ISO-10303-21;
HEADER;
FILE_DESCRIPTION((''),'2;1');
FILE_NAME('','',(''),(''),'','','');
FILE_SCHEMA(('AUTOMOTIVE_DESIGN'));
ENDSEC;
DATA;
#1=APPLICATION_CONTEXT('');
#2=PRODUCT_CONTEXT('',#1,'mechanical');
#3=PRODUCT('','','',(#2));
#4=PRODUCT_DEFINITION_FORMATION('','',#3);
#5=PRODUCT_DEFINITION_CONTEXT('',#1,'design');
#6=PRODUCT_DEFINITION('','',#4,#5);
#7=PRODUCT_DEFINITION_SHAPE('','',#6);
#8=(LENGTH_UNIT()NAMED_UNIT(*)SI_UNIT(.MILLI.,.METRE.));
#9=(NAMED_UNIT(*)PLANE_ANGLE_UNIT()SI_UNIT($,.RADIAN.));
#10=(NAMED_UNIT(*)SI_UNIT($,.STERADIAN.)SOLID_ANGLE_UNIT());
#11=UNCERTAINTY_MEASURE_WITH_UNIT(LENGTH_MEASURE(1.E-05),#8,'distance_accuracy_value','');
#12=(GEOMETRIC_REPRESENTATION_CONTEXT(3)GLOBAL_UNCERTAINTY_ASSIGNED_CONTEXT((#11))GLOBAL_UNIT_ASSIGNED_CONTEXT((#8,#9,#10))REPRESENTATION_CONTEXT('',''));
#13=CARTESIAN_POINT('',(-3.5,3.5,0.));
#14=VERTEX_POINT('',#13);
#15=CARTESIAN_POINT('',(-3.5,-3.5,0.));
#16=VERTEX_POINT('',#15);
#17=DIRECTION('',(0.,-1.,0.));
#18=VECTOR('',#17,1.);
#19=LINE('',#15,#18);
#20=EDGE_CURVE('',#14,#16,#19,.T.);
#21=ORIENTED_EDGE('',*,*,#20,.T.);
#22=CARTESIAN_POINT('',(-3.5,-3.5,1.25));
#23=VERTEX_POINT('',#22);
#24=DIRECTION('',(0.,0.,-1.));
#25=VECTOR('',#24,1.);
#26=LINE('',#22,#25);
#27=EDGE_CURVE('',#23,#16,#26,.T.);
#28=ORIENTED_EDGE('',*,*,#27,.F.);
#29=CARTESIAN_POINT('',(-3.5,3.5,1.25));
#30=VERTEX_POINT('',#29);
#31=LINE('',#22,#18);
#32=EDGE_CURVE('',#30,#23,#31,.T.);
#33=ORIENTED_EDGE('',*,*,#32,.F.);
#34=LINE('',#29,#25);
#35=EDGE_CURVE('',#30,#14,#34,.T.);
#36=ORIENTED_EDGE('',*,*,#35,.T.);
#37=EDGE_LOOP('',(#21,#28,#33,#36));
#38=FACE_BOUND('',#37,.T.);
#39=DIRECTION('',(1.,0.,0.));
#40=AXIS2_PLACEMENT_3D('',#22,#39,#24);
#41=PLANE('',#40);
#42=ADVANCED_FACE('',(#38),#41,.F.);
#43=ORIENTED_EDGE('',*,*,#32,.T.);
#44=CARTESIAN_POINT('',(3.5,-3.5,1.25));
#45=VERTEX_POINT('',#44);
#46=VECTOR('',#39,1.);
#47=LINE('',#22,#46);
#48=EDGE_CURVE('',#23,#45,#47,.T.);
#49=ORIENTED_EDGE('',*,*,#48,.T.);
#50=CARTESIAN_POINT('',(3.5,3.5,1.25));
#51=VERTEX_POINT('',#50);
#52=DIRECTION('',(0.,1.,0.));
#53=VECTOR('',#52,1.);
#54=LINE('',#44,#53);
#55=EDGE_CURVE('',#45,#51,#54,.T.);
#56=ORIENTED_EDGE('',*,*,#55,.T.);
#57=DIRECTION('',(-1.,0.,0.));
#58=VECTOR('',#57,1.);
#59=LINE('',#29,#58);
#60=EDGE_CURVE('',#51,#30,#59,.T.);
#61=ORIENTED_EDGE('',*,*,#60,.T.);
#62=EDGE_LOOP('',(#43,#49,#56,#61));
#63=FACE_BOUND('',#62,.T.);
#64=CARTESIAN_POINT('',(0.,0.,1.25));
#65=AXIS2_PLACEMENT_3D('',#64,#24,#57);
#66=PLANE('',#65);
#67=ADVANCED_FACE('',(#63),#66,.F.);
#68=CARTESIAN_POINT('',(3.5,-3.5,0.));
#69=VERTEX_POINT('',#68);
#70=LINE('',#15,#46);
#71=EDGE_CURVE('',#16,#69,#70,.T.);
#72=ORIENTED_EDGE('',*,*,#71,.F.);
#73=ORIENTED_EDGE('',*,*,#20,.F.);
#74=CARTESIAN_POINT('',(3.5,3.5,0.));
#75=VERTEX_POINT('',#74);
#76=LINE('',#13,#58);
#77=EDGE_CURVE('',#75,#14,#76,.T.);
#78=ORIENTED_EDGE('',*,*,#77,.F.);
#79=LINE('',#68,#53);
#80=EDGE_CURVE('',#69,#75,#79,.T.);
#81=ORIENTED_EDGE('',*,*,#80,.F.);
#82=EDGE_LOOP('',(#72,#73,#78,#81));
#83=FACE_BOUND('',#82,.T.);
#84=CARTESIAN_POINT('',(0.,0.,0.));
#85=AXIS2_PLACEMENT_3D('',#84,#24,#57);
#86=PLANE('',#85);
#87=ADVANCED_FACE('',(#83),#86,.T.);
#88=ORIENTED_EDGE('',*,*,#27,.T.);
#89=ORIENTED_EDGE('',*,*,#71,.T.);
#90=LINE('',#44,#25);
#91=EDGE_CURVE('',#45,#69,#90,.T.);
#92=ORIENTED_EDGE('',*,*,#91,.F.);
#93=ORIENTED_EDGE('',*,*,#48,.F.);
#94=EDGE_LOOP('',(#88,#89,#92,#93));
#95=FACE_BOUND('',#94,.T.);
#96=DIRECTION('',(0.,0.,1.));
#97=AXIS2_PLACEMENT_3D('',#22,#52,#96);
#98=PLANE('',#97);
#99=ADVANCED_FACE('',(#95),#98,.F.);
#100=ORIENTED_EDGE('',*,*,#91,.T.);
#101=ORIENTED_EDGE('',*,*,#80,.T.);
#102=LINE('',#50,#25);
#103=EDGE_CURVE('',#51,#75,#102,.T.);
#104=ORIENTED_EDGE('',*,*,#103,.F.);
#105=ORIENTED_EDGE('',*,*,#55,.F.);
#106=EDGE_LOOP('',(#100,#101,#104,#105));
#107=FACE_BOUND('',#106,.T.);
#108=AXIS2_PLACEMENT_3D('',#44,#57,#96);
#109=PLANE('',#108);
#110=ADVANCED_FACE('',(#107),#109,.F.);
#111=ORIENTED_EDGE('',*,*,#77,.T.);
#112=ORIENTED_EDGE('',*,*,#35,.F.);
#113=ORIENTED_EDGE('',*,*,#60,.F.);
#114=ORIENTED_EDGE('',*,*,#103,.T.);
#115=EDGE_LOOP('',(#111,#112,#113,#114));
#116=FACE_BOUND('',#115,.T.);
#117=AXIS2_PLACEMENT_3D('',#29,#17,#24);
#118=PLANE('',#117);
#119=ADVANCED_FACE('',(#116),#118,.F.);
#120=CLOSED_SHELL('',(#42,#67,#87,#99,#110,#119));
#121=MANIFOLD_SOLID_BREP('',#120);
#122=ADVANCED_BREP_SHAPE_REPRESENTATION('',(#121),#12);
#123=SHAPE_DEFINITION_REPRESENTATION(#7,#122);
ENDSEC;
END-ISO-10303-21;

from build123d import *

# Parameters (mm, degrees)
SKETCH1_W           = 7
SKETCH1_H           = 7
BOSS_EXTRUDE1_DEPTH = 1.25


with BuildPart() as part:
    # Sketch1 → Boss-Extrude1 (new body)
    with BuildSketch(Plane.XY):
        Rectangle(SKETCH1_W, SKETCH1_H)
    extrude(amount=BOSS_EXTRUDE1_DEPTH)


solid = part.part
